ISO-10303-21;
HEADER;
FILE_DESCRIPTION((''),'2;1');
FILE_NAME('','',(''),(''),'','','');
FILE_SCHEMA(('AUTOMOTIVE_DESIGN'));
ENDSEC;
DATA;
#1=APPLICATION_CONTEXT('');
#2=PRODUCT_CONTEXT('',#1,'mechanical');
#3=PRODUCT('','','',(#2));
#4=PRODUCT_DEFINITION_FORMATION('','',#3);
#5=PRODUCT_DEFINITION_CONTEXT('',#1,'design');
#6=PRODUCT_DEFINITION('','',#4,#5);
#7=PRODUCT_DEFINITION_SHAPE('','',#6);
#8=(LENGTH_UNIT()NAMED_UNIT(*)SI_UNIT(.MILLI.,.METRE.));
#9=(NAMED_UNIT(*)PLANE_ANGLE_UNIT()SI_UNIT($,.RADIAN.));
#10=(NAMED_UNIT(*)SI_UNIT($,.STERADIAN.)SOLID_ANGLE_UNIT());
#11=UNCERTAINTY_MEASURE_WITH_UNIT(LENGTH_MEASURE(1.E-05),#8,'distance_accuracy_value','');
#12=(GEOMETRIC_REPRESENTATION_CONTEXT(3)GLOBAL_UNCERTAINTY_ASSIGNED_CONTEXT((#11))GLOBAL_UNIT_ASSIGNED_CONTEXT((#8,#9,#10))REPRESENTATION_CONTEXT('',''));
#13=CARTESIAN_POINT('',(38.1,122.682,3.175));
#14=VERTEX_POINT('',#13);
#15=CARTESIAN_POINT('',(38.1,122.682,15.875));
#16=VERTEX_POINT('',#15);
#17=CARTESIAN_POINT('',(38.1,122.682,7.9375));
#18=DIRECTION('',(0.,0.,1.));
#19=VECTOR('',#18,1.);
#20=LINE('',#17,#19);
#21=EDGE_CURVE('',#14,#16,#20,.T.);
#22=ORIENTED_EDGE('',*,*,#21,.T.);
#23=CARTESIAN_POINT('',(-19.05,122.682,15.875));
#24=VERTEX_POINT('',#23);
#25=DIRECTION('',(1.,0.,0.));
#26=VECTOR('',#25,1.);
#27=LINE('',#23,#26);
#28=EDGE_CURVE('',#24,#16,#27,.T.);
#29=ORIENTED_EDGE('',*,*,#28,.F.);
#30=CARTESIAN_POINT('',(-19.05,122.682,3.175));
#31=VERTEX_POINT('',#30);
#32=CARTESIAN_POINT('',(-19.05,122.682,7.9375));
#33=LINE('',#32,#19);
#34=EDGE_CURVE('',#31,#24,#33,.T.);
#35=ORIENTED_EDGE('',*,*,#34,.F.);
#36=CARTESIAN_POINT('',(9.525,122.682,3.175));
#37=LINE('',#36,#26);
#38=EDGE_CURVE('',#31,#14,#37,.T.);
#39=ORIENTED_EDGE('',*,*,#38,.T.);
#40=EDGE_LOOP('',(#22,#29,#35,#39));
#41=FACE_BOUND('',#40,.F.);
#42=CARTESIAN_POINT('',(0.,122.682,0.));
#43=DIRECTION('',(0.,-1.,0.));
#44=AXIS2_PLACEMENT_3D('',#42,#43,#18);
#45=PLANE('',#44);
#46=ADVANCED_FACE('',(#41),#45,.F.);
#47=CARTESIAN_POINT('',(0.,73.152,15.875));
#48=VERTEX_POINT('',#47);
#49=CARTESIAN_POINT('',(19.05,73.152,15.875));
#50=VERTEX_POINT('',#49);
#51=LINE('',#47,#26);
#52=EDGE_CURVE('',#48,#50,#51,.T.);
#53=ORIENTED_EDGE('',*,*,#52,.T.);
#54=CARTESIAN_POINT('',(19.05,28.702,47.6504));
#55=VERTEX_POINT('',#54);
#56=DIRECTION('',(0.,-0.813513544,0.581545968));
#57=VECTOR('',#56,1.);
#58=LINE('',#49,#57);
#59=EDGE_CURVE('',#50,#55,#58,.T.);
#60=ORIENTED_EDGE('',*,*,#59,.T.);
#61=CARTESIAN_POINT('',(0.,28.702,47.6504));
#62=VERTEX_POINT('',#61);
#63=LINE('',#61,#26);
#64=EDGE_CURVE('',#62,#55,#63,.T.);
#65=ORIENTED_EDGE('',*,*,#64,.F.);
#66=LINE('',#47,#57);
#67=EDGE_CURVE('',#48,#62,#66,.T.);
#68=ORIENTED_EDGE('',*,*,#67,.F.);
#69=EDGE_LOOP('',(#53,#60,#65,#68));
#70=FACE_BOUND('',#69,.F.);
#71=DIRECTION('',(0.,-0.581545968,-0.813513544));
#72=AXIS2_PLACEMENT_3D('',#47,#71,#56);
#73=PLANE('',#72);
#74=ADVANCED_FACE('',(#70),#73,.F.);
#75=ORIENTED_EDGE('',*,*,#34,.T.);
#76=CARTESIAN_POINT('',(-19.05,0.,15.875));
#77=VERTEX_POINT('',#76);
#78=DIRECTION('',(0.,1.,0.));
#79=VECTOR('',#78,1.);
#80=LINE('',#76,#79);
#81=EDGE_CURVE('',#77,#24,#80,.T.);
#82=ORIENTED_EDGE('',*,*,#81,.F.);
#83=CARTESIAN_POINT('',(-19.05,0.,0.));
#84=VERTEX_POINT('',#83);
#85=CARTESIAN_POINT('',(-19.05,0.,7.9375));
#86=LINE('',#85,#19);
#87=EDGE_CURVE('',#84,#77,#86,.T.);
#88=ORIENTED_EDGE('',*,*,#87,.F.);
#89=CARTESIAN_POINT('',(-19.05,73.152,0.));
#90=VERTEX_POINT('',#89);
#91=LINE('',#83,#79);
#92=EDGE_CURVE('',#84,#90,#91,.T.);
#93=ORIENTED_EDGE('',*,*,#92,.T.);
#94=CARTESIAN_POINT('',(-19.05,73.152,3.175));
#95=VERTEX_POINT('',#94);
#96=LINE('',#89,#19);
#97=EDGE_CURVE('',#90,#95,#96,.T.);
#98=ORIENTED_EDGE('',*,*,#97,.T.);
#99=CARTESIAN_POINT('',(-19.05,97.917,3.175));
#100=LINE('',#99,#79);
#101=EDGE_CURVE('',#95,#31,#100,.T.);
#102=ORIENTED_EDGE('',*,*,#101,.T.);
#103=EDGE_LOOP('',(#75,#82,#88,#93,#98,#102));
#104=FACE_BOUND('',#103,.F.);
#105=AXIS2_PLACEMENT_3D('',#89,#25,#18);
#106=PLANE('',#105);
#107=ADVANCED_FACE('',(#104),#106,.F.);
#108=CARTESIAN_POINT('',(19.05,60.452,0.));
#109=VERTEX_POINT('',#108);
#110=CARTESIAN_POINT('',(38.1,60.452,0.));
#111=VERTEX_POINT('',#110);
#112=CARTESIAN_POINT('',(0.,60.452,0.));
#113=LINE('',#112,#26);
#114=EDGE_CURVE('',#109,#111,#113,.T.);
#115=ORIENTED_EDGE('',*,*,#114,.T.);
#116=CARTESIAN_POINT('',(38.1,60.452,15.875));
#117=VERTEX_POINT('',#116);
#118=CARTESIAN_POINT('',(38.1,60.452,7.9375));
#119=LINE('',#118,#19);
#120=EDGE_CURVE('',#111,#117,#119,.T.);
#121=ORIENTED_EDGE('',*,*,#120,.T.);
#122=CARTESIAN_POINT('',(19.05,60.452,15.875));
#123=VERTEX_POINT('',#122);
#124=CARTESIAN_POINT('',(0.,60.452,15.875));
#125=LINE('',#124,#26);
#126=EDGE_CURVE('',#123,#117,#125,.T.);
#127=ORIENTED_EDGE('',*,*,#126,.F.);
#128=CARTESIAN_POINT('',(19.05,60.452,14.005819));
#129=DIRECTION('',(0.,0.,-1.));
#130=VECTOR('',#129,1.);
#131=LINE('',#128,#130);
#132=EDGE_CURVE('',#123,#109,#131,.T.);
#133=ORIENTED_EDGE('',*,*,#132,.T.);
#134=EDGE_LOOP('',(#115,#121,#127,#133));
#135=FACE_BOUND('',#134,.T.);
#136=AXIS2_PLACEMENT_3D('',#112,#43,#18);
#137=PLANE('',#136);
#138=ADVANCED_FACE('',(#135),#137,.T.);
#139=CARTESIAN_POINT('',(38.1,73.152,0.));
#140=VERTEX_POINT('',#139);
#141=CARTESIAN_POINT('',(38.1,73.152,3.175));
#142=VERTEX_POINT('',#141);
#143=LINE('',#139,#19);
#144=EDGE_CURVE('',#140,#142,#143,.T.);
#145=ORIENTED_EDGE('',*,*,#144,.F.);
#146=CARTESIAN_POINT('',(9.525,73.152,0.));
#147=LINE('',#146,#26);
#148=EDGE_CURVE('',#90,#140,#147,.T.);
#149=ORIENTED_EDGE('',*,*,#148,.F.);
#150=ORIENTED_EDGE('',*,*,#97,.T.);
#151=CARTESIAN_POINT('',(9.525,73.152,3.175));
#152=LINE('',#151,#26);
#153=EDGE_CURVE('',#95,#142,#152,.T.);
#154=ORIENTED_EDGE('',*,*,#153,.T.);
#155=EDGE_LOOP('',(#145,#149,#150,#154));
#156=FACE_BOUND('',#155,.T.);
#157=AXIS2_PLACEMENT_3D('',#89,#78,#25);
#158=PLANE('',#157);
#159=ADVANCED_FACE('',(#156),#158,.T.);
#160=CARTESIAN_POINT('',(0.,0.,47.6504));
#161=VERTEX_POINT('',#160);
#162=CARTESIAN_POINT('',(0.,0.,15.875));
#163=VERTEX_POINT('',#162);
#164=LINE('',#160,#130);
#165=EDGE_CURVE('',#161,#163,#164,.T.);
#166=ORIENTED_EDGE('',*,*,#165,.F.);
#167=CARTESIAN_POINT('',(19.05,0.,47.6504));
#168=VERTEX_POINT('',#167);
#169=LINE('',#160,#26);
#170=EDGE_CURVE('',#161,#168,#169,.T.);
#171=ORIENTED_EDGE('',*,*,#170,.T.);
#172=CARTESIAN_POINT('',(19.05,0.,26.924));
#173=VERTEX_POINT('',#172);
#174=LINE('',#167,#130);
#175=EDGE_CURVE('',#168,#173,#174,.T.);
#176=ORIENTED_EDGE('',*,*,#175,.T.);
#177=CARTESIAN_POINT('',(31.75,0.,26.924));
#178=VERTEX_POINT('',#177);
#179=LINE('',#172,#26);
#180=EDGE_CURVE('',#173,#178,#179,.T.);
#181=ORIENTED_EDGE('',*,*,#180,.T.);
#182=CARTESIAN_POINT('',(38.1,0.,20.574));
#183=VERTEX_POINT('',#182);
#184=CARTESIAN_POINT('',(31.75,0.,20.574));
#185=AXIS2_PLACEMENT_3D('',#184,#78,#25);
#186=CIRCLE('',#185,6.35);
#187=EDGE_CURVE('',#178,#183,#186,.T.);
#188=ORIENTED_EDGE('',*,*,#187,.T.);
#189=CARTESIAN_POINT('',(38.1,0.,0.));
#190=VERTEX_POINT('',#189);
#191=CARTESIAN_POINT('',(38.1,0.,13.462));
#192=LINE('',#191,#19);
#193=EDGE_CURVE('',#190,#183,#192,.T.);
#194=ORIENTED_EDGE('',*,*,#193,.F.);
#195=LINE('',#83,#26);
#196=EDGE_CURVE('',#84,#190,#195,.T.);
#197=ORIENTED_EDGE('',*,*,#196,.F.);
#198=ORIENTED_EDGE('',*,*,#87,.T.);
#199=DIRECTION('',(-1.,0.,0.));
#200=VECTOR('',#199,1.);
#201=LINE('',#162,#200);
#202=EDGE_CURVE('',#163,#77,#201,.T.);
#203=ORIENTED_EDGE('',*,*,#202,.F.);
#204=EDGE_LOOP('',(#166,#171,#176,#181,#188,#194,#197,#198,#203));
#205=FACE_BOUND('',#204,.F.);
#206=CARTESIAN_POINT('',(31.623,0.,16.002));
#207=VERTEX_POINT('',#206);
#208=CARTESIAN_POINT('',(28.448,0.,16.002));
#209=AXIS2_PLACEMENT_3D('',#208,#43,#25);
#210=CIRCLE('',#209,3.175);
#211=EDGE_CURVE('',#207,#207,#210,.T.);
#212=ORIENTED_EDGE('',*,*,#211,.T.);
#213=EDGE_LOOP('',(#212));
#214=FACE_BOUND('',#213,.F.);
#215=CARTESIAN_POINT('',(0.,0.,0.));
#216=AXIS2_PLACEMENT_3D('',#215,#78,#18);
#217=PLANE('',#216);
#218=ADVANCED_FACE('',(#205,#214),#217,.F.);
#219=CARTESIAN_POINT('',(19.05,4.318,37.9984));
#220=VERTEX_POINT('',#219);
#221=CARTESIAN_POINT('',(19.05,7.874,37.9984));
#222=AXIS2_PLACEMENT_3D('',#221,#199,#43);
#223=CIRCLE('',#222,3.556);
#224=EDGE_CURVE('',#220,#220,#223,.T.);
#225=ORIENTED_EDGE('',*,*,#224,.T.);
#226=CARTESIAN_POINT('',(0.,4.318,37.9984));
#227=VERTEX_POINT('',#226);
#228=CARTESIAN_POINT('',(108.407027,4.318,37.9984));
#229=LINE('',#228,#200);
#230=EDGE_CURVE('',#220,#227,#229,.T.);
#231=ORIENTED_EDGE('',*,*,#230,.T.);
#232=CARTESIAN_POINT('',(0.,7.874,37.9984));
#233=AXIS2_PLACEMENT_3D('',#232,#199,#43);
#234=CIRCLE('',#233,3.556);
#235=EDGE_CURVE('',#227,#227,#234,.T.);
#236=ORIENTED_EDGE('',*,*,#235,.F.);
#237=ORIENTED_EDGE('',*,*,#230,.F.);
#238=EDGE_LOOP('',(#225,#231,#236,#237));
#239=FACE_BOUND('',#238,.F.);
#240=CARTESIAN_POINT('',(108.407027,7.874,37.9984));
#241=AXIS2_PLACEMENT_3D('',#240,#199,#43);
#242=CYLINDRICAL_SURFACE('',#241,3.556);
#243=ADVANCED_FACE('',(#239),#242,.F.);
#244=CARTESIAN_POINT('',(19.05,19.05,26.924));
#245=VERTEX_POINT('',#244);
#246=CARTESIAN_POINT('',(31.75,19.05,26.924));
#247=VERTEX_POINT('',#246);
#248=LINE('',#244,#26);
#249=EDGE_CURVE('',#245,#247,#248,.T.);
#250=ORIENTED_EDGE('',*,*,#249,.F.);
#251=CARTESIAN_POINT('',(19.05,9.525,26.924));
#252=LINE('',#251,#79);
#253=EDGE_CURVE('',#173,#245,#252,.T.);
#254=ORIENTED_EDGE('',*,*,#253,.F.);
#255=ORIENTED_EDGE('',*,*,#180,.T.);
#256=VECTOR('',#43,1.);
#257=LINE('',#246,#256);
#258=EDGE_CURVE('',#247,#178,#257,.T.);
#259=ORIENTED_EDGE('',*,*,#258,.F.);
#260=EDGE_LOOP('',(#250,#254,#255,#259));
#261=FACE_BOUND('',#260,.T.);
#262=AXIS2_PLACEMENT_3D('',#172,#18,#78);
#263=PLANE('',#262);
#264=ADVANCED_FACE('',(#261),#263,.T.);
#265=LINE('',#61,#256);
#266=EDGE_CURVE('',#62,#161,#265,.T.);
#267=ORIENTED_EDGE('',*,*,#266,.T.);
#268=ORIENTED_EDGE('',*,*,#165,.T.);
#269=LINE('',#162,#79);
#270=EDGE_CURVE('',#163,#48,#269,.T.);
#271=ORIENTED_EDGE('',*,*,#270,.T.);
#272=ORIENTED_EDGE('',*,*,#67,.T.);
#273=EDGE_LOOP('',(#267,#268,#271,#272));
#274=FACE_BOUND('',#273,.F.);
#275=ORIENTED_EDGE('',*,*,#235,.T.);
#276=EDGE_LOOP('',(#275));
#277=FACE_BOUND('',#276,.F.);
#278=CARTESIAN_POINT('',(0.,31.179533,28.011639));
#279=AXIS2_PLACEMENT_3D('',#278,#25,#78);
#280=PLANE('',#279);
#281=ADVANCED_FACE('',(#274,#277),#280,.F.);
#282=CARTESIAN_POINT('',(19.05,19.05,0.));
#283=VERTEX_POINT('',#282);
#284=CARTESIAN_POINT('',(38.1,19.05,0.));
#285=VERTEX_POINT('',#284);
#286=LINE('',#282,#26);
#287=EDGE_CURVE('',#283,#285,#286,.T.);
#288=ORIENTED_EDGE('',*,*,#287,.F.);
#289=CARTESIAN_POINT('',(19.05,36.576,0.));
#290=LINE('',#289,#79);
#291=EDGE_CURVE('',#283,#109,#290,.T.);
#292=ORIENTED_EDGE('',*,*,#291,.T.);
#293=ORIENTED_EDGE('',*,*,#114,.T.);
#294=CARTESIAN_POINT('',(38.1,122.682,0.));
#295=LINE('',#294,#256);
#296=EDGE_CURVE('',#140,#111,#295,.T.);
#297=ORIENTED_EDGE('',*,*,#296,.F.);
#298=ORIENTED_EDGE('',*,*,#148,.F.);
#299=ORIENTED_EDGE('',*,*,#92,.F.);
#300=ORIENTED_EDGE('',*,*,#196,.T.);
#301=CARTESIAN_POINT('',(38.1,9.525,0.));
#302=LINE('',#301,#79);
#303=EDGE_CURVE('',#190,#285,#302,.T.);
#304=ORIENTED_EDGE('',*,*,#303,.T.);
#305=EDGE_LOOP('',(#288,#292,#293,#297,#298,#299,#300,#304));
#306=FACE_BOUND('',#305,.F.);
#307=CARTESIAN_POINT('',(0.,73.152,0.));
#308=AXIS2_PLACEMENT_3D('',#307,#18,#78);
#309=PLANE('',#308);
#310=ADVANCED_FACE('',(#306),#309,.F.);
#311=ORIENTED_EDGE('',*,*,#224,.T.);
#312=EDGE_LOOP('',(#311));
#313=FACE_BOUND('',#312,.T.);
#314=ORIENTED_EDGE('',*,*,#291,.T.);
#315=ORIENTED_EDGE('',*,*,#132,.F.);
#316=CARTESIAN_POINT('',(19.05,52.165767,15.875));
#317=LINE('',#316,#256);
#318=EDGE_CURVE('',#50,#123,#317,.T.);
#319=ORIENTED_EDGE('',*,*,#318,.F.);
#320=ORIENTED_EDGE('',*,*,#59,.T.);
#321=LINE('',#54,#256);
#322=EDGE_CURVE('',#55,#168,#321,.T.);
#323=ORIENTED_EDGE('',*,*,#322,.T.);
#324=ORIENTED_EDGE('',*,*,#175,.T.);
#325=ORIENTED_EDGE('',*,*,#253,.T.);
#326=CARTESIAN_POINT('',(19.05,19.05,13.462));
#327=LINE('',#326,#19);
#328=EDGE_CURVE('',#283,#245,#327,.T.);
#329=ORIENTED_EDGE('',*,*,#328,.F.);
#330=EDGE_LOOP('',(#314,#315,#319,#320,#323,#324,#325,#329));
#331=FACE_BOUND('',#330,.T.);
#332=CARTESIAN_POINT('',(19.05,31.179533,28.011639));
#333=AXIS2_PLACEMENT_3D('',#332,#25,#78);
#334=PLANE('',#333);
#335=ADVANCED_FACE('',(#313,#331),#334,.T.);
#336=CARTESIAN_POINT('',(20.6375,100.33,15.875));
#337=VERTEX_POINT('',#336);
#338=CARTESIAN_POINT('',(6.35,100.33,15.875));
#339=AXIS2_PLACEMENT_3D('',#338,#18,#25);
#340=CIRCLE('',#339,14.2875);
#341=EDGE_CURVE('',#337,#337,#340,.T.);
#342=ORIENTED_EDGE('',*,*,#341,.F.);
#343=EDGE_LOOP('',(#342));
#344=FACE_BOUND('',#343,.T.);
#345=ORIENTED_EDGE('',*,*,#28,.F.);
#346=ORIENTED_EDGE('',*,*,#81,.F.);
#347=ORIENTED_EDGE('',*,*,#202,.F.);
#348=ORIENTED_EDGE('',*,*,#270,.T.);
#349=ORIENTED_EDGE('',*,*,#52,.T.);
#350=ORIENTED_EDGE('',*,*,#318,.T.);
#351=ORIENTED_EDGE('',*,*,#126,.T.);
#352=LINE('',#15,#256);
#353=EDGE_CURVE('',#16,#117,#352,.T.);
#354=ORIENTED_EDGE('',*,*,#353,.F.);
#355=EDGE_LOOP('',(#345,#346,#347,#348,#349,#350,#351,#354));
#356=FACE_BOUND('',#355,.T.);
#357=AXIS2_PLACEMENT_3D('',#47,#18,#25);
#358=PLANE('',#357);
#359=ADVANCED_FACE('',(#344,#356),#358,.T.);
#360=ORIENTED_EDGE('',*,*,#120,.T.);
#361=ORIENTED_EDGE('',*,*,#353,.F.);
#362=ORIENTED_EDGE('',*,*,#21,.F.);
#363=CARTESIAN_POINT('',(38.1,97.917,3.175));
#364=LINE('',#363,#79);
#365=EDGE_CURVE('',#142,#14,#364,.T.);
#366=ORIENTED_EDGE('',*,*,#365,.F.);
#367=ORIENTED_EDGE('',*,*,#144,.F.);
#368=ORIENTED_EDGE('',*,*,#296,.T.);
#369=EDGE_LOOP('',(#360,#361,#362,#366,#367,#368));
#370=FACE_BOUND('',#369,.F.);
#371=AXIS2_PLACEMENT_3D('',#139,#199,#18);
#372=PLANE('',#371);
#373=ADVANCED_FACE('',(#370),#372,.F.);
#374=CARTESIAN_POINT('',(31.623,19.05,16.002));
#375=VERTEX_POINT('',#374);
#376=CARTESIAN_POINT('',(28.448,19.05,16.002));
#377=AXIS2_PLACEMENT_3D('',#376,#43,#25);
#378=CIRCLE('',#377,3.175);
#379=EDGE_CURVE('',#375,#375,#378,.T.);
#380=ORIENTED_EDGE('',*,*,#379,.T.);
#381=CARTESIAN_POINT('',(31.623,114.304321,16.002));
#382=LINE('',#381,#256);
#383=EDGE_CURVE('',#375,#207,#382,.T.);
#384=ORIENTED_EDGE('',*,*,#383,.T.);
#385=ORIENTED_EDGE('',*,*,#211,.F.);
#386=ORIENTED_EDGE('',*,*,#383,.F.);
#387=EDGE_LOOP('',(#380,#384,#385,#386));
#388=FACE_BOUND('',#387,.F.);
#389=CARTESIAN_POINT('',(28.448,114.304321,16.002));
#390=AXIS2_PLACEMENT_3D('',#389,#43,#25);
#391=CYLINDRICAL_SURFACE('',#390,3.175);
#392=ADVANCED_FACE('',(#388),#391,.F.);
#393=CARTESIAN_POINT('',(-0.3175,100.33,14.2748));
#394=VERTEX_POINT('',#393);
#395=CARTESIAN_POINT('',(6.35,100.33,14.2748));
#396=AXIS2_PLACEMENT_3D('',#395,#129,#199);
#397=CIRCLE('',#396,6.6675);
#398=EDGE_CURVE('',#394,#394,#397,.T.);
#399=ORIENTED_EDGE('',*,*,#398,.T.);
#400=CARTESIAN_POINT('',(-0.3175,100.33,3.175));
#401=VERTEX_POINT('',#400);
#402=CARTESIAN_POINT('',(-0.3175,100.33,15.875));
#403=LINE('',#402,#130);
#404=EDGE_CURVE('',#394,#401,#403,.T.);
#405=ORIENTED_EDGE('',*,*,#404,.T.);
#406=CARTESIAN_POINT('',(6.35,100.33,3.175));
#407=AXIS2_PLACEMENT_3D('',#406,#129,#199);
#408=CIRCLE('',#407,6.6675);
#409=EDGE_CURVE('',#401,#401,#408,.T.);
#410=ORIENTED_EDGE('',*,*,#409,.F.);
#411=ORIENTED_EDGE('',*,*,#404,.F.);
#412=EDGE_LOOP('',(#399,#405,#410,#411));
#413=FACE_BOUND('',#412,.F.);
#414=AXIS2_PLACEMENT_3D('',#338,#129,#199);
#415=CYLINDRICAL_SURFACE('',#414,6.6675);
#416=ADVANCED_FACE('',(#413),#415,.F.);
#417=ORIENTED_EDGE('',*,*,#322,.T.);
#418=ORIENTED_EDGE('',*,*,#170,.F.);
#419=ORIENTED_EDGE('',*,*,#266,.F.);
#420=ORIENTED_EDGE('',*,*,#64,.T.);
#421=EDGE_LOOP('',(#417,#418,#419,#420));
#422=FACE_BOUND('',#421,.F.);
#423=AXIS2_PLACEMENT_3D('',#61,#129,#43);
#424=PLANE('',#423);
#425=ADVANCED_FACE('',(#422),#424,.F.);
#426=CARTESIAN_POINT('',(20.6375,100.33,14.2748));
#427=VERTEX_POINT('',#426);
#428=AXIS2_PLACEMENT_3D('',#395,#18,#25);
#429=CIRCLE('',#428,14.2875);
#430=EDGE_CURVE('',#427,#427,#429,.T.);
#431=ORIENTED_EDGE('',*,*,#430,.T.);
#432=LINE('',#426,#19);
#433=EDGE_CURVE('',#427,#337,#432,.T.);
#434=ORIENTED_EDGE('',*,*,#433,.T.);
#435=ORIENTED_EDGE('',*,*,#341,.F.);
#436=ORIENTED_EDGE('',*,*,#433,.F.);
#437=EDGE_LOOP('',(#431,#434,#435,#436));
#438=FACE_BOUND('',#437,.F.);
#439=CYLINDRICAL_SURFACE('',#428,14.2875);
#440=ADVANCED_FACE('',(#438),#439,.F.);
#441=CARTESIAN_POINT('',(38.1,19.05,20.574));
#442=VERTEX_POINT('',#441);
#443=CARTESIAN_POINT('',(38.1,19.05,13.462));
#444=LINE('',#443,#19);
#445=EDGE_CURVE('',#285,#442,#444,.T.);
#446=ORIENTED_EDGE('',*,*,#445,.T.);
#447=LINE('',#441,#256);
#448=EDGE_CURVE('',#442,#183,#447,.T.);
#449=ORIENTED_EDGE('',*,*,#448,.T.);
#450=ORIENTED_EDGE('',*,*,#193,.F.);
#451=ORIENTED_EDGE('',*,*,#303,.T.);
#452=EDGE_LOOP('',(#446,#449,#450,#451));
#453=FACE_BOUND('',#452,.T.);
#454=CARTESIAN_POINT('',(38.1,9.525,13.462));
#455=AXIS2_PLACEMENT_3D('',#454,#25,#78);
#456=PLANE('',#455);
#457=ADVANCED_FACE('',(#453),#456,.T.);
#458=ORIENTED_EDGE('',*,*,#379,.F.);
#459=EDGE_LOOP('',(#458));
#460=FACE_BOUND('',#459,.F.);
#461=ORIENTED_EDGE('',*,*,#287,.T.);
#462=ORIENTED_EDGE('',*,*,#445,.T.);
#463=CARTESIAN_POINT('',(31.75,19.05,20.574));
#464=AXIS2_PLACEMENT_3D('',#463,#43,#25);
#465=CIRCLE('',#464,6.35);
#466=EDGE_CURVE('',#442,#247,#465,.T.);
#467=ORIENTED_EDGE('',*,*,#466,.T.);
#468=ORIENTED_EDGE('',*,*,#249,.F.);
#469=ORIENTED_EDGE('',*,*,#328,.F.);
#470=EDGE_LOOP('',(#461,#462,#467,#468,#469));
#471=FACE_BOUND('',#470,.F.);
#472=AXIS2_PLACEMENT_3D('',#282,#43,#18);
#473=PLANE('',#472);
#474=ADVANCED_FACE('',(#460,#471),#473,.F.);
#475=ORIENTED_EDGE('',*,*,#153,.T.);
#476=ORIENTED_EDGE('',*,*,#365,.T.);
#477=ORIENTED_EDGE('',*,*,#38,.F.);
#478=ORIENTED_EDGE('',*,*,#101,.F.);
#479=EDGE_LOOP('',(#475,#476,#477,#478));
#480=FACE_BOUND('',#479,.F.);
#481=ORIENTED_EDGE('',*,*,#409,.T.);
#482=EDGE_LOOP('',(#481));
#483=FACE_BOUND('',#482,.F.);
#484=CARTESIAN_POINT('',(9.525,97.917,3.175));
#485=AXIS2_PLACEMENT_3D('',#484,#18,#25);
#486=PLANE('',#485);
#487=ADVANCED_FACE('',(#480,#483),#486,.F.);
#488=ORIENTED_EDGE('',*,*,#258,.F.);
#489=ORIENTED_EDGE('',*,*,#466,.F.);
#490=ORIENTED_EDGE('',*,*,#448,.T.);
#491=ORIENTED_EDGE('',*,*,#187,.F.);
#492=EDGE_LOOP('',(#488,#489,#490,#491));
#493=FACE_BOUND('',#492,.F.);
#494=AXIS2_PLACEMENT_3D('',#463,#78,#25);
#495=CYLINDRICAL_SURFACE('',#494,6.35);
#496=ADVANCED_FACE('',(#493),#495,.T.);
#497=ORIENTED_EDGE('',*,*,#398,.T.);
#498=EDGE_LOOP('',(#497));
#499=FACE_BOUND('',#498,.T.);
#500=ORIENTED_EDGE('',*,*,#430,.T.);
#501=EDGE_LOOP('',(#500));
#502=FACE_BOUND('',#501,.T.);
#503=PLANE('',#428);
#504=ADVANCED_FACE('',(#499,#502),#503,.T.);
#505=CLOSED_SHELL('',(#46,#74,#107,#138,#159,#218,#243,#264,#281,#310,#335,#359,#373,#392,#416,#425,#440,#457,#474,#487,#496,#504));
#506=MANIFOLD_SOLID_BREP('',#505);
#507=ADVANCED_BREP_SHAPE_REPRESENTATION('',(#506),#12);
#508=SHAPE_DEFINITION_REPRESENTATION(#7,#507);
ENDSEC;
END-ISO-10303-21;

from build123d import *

# Parameters (mm, degrees)
F0_W            = 73.152
F0_H            = 15.875
F1_DEPTH        = 19.05
F3_D            = 7.112
F4_W            = 19.05
F4_H            = 26.924
F5_DEPTH        = 19.05
F7_D            = 6.35
F8_DEPTH        = 19.05
F9_DEPTH        = 49.53
F10_DEPTH       = 38.1
F11_DEPTH       = 12.7
F13_W           = 57.15
F13_H           = 49.53
F14_DEPTH       = 3.175
F16_D           = 13.335
F16_CBORE_D     = 28.575
F16_CBORE_DEPTH = 1.6002
F17_DEPTH       = 25.4


with BuildPart() as f1:
    # F0 (on Right) → F1 (new body)
    with BuildSketch(Plane.YZ):
        Polygon((0, 47.6504), (0, 15.875), (73.152, 15.875), (28.702, 47.6504), align=None)
        with Locations((36.576, 7.9375)):
            Rectangle(F0_W, F0_H)
    extrude(amount=F1_DEPTH)

    # F3 (through all)
    with Locations(Plane.YZ.offset(19.05)):
        with Locations((7.874, 37.9984)):
            Hole(F3_D / 2)

    # F4 (on face) → F5 (join)
    with BuildSketch(Plane.YZ.offset(19.05)):
        with Locations((9.525, 13.462)):
            Rectangle(F4_W, F4_H)
    extrude(amount=F5_DEPTH)

    # F7 (through all)
    with Locations(Plane(origin=(0, 19.05, 0), x_dir=(-1, 0, 0), z_dir=(0, 1, 0))):
        with Locations((-28.448, 16.002)):
            Hole(F7_D / 2)


with BuildPart() as f8:
    # F0 (on Right) → F8 (new body)
    with BuildSketch(Plane.YZ):
        with Locations((36.576, 7.9375)):
            Rectangle(F0_W, F0_H)
    extrude(amount=-F8_DEPTH)


with BuildPart() as f9:
    # F9 (new): a face of the model
    f9_faces = [f8.part.faces().sort_by_distance(p)[0] for p in [
        (-9.525, 73.152, 7.9375),
    ]]
    extrude(f9_faces, amount=F9_DEPTH)


with BuildPart() as f10:
    # F10 (new): a face of the model
    f10_faces = [f9.part.faces().sort_by_distance(p)[0] for p in [
        (0, 97.917, 7.9375),
    ]]
    extrude(f10_faces, amount=F10_DEPTH)


with BuildPart() as f11:
    # F11 (new): a face of the model
    f11_faces = [f10.part.faces().sort_by_distance(p)[0] for p in [
        (19.05, 73.152, 7.9375),
    ]]
    extrude(f11_faces, amount=F11_DEPTH)


with BuildPart() as f1_1:
    add(f1.part)

    # F12: union F8, F9, F10, F11
    add(f8.part)
    add(f9.part)
    add(f10.part)
    add(f11.part)

    # F13 (on Top) → F14 (cut)
    with BuildSketch(Plane.XY):
        with Locations((9.525, 97.917)):
            Rectangle(F13_W, F13_H)
    extrude(amount=F14_DEPTH, mode=Mode.SUBTRACT)

    # F16 (through all)
    with Locations(Plane.XY.offset(15.875)):
        with Locations((6.35, 100.33)):
            CounterBoreHole(F16_D / 2, F16_CBORE_D / 2, F16_CBORE_DEPTH)

    # F6 (on face) → F17 (cut)
    with BuildSketch(Plane(origin=(0, 19.05, 0), x_dir=(-1, 0, 0), z_dir=(0, 1, 0))):
        with BuildLine():
            ThreePointArc((-38.1, 20.574), (-36.2401280605, 25.0641280605), (-31.75, 26.924))
            Line((-31.75, 26.924), (-38.1, 26.924))
            Line((-38.1, 26.924), (-38.1, 20.574))
        make_face()
    extrude(amount=-F17_DEPTH, mode=Mode.SUBTRACT)


solid = f1_1.part
